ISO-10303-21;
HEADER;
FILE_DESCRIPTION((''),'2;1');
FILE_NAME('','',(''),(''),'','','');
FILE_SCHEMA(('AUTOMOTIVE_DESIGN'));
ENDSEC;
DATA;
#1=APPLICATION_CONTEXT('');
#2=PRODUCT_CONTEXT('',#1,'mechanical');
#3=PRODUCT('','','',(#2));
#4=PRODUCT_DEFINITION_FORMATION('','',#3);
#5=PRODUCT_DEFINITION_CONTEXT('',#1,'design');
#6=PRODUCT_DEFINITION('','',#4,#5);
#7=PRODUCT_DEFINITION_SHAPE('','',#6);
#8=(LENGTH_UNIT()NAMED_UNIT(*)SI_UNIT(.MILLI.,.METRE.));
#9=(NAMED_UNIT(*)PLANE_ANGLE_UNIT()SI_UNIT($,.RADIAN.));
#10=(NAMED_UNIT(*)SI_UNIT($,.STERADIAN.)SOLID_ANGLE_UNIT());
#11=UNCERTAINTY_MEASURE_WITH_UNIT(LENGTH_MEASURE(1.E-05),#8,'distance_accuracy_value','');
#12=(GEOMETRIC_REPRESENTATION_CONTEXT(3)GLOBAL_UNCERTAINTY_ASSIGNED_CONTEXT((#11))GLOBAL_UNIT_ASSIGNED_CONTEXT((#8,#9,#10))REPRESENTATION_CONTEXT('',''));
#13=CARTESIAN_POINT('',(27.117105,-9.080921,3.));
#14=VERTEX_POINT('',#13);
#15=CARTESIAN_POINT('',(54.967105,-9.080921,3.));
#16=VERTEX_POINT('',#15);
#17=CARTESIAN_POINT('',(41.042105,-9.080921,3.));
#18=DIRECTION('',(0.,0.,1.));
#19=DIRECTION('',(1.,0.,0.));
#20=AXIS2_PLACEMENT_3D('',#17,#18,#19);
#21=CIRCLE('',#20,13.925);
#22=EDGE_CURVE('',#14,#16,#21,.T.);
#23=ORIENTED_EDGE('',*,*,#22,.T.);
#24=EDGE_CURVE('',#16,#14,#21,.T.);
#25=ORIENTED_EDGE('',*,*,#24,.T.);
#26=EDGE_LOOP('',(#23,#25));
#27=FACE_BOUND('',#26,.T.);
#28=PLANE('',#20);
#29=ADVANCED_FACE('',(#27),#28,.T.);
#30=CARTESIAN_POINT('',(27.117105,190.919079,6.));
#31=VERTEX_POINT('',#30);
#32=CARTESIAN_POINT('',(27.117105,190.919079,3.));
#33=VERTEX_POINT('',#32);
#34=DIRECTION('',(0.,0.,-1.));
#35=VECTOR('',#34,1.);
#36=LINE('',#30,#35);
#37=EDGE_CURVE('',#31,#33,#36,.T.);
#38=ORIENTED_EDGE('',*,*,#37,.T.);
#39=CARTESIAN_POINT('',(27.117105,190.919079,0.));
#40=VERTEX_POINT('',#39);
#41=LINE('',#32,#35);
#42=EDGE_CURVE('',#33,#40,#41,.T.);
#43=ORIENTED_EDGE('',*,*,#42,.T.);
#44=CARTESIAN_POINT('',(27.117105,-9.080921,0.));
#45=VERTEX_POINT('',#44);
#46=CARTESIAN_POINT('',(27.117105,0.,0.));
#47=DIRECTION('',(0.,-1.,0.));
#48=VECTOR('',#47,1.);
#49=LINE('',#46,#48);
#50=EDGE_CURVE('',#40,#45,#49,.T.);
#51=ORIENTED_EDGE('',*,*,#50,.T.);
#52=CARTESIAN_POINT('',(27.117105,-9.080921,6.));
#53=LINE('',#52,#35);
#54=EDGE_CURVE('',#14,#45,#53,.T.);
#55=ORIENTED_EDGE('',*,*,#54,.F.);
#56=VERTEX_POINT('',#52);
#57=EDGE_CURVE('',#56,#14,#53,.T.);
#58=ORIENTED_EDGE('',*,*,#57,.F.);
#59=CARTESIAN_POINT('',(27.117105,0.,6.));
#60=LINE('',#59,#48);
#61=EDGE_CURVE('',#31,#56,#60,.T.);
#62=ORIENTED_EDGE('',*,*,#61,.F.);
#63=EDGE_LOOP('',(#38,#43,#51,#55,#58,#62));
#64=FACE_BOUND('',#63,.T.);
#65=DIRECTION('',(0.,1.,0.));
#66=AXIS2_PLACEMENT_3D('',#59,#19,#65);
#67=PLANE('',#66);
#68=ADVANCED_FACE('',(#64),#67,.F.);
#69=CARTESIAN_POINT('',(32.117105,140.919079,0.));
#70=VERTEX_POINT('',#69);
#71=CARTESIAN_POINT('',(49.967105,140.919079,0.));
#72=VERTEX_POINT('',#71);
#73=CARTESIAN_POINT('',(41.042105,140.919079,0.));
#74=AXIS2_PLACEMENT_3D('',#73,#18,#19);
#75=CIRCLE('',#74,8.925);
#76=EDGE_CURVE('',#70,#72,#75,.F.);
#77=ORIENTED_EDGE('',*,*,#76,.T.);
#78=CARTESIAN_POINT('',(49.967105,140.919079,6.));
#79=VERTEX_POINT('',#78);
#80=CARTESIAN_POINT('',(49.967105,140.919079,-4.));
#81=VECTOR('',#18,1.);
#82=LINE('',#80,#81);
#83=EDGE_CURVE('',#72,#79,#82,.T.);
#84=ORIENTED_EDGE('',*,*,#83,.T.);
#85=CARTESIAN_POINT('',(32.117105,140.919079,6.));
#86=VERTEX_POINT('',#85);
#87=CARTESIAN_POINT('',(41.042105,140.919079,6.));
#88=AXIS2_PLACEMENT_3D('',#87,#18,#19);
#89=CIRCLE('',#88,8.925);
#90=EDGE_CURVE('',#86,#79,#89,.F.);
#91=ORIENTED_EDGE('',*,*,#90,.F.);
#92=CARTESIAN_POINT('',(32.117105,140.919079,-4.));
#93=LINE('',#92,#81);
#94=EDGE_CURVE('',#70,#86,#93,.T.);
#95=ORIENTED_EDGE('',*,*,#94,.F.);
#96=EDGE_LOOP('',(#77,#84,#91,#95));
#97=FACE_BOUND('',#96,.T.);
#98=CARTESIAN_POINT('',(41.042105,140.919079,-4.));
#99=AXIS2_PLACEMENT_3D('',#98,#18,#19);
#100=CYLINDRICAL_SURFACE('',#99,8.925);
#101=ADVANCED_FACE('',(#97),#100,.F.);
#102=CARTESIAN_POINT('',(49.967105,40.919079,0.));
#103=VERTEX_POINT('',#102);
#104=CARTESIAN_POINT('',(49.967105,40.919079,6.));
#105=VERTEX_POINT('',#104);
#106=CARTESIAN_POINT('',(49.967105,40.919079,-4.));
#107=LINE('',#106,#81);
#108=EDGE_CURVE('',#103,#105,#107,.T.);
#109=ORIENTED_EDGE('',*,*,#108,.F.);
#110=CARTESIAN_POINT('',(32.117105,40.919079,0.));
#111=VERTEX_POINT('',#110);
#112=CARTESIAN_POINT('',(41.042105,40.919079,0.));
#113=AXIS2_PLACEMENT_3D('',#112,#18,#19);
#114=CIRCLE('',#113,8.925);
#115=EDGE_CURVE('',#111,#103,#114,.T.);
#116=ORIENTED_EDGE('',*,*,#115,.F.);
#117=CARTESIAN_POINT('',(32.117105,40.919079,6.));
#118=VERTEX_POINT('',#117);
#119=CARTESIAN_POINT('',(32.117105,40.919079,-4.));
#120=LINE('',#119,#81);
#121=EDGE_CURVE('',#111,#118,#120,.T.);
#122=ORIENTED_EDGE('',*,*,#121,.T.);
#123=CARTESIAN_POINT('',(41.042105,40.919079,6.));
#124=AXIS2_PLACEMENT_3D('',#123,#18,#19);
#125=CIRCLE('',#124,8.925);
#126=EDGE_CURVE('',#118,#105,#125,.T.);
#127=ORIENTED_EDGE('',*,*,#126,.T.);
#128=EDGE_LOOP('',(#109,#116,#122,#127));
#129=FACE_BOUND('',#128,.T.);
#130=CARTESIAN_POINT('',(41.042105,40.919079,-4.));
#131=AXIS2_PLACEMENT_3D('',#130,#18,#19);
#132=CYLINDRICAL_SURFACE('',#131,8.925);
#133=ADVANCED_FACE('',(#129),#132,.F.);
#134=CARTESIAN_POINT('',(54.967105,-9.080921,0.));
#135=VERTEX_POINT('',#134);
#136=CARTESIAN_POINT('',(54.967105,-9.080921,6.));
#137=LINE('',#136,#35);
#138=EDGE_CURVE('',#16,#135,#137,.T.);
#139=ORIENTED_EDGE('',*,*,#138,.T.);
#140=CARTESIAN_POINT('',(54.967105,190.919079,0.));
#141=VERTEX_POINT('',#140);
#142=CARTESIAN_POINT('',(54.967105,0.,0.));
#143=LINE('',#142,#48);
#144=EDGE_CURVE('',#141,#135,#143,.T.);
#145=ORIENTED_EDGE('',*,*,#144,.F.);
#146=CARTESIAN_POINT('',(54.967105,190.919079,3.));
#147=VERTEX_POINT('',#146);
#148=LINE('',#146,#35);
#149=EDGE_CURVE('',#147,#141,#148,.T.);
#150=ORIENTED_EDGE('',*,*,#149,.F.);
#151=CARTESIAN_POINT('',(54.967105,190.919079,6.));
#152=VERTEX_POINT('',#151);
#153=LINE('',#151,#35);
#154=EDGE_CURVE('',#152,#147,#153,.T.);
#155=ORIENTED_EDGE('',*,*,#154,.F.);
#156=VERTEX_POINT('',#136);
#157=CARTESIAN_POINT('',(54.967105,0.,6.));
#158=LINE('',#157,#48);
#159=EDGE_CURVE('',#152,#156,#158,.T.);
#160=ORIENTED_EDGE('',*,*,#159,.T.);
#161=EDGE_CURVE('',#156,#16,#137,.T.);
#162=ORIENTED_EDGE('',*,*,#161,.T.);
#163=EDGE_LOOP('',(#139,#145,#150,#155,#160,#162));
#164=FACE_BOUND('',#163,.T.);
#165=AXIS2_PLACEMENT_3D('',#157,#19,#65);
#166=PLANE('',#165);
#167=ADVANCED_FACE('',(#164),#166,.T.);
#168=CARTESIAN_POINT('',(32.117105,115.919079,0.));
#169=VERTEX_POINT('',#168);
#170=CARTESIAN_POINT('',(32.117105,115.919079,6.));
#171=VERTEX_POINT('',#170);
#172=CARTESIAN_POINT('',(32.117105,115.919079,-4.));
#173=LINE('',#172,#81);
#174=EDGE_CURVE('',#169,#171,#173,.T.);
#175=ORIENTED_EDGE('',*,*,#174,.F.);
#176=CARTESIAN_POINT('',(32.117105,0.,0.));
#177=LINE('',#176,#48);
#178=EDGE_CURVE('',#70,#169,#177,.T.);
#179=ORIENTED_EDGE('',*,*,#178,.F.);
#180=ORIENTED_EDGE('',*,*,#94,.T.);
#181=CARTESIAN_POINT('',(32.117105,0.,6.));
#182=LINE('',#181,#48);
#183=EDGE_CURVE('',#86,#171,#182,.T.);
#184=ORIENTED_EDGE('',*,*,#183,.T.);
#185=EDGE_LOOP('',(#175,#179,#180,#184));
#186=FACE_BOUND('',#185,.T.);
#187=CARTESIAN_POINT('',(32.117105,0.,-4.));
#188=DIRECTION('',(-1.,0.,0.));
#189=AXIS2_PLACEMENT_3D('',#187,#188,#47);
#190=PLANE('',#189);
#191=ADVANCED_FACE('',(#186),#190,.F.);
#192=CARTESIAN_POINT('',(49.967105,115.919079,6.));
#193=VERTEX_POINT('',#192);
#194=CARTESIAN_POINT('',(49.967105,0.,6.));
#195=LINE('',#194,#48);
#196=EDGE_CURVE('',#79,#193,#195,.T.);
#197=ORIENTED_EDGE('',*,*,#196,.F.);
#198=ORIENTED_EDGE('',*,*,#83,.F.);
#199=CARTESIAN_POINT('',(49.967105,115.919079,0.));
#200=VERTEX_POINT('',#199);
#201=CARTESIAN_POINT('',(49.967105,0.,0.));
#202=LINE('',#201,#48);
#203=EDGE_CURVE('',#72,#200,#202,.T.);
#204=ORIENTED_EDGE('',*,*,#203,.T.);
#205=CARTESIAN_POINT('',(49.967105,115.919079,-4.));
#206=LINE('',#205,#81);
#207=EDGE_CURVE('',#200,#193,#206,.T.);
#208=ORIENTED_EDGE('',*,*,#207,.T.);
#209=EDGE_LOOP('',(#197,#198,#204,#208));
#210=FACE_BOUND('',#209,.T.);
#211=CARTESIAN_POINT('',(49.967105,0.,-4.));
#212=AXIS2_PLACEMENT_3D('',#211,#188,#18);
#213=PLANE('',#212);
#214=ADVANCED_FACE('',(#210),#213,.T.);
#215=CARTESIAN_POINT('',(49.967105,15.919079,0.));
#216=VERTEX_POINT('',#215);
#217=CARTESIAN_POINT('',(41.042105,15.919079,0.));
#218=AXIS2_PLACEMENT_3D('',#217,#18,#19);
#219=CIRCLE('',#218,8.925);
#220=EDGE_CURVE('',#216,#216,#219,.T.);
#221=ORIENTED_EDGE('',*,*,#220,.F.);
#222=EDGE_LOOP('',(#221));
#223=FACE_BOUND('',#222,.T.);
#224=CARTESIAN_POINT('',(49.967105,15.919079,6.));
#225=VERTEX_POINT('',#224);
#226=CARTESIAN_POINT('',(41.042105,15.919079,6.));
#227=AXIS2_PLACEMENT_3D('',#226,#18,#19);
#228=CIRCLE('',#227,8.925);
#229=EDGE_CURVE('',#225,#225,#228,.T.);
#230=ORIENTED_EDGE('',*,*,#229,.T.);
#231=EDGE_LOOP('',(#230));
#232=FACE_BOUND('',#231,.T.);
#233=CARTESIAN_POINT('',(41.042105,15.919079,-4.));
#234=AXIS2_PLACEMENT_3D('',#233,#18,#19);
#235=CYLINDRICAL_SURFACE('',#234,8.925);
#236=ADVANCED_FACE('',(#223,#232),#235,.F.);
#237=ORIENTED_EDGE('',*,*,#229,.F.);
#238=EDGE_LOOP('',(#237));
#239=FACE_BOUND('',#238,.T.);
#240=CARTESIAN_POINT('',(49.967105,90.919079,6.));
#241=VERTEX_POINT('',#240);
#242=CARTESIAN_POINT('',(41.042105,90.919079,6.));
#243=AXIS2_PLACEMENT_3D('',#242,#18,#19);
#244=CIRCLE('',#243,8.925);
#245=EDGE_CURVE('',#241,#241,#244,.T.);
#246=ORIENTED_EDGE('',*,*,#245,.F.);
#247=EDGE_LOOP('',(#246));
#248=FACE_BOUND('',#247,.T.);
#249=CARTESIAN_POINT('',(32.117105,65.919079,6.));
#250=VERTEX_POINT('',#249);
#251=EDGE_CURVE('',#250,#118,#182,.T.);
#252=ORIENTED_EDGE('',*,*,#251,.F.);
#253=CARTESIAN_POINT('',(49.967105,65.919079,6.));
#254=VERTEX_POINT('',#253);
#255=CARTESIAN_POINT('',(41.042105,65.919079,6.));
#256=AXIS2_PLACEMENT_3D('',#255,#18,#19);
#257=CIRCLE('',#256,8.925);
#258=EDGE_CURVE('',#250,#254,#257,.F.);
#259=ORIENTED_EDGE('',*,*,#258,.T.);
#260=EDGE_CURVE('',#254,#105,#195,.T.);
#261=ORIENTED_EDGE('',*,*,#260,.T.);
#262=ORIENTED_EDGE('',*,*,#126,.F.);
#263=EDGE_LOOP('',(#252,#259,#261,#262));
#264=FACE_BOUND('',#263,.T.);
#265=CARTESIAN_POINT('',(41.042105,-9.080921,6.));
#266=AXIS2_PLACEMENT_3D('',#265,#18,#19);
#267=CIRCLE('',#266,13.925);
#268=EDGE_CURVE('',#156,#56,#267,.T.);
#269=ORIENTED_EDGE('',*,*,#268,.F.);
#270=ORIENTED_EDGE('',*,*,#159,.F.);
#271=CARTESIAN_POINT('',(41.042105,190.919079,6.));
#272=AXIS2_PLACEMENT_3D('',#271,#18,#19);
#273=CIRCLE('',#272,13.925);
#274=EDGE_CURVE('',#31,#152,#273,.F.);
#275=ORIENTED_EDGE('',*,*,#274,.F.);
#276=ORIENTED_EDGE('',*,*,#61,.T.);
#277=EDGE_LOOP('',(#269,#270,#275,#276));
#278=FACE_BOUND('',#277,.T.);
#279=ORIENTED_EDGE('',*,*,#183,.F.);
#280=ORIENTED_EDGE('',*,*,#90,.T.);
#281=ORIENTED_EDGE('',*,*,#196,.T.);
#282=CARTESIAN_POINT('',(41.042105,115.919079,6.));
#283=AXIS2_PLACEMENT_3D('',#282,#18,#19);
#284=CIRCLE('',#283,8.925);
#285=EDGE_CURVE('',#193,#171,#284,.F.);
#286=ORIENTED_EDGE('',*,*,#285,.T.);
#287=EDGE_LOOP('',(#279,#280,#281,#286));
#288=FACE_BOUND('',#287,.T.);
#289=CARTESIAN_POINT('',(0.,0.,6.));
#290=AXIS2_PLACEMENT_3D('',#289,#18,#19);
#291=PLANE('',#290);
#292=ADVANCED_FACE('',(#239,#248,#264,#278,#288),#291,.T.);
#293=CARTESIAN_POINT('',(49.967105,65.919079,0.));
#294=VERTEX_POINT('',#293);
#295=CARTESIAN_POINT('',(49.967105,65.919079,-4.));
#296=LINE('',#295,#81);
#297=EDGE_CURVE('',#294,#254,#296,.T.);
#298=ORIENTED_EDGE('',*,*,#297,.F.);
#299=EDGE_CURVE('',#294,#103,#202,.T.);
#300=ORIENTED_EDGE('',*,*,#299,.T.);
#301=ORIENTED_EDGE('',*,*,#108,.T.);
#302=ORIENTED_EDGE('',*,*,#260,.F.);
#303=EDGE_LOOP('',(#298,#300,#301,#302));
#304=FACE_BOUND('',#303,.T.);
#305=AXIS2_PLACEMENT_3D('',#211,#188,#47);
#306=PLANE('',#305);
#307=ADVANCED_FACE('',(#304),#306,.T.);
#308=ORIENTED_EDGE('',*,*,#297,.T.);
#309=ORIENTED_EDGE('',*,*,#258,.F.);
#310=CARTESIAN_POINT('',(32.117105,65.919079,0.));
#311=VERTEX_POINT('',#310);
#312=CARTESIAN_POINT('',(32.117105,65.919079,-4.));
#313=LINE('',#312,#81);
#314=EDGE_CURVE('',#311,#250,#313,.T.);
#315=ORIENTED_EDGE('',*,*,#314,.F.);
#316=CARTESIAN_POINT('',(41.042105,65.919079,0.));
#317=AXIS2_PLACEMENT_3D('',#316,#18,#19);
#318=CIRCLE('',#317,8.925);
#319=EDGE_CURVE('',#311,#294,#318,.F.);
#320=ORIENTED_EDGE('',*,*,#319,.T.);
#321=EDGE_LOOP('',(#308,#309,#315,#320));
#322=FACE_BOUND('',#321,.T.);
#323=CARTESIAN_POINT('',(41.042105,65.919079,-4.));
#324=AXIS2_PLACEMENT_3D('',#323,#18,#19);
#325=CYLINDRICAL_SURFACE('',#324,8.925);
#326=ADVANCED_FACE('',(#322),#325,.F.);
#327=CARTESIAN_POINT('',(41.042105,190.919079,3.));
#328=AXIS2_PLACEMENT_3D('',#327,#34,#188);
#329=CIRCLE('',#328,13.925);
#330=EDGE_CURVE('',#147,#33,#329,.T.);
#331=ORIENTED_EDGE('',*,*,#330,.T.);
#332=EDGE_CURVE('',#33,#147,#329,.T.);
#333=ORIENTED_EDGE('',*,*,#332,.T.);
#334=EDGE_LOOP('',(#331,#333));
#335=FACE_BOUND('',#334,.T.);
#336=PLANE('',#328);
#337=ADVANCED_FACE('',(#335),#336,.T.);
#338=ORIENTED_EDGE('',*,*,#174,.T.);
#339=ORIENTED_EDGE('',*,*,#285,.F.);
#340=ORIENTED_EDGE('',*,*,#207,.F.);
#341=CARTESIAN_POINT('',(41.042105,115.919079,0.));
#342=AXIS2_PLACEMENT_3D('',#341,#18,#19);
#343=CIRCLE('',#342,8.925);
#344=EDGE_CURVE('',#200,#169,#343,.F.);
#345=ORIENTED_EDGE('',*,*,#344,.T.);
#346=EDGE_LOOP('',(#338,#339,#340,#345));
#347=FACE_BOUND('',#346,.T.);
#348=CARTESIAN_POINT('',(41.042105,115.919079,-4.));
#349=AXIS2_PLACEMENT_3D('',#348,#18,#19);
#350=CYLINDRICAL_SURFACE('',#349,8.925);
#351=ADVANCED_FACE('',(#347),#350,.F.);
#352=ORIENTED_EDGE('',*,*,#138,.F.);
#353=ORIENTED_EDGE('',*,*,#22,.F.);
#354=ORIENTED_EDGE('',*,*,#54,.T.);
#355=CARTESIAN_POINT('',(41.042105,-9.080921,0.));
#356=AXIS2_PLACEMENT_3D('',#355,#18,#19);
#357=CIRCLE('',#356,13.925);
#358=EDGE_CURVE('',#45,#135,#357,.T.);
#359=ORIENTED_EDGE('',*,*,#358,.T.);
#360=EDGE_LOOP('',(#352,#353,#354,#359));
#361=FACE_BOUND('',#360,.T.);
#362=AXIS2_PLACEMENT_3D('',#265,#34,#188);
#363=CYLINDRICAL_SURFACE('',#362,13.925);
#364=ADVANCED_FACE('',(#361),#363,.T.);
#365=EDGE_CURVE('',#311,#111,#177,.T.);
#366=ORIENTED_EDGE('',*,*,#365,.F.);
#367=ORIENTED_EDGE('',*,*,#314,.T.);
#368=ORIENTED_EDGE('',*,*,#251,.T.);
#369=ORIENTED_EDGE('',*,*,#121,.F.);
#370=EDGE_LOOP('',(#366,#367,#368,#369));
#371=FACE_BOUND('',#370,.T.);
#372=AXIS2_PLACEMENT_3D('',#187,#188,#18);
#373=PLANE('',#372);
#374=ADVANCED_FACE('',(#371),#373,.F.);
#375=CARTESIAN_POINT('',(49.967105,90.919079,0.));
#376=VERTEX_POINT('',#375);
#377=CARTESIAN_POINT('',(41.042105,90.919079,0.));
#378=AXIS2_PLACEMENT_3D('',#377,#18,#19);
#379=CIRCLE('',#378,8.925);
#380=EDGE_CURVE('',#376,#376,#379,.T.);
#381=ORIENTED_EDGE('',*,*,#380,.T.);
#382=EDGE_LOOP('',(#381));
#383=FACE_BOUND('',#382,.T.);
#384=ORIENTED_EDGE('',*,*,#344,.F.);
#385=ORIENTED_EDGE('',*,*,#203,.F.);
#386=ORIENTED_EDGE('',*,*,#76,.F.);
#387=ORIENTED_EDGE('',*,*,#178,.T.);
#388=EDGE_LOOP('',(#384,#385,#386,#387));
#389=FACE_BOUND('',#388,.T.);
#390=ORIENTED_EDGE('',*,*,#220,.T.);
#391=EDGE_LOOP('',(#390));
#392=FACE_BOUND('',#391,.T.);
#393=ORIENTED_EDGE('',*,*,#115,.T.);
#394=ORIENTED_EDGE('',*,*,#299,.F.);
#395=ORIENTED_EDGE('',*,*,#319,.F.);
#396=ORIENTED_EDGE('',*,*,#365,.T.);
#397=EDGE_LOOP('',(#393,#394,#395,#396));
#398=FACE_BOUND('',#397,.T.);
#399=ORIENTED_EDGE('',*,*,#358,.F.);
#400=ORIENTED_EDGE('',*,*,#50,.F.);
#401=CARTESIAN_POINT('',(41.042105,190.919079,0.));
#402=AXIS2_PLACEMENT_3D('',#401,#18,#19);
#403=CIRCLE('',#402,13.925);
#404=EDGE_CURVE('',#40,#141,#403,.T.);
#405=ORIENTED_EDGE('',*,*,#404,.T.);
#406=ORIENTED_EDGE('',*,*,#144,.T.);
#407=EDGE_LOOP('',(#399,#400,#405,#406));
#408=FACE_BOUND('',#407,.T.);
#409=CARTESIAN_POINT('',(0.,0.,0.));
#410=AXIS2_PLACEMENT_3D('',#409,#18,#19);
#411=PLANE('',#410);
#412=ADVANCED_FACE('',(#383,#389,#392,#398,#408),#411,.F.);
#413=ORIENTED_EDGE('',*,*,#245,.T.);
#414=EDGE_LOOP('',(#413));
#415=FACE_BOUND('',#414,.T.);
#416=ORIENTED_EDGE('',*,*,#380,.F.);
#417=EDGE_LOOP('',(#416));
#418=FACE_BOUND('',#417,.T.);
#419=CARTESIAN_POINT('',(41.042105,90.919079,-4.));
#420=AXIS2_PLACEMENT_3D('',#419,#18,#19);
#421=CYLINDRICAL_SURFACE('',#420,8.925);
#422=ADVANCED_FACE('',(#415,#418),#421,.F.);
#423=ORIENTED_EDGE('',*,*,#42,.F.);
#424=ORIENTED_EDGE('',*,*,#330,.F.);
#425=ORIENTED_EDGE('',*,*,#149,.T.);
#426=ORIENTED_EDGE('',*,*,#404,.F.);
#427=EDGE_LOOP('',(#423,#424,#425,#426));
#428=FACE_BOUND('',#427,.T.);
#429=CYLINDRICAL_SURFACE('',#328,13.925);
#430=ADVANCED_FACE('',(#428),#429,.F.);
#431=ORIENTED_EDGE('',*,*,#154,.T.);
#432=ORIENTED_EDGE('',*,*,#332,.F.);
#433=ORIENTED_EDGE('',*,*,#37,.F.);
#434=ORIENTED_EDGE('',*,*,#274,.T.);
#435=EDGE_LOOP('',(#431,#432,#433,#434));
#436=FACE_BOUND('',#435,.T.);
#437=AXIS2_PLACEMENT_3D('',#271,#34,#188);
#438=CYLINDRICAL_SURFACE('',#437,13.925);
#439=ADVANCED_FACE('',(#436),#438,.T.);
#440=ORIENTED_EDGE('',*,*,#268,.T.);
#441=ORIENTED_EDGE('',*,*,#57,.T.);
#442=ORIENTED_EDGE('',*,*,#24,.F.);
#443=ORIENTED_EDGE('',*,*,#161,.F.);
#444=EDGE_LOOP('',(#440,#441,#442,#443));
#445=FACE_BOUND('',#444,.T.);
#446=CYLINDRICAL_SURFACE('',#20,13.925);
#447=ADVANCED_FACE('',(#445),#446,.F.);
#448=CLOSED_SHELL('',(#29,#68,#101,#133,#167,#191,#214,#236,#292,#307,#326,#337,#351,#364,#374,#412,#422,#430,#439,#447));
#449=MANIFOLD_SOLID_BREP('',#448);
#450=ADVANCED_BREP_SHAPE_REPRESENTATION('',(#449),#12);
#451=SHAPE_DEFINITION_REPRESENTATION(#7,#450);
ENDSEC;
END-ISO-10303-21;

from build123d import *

# Parameters (mm, degrees)
ESQUISSE1_W             = 27.85
ESQUISSE1_H             = 200
BOSS_EXTRU_1_DEPTH      = 6
ESQUISSE2_R             = 13.925
ENL_V_MAT_EXTRU_1_DEPTH = 3
ESQUISSE3_R             = 13.925
ENL_V_MAT_EXTRU_2_DEPTH = 3
ESQUISSE5_W             = 17.85
ESQUISSE5_H             = 25
ESQUISSE5_R             = 8.925
ENL_V_MAT_EXTRU_3_DEPTH = 10


with BuildPart() as part:
    # Esquisse1 → Boss.-Extru.1 (new body)
    with BuildSketch(Plane.XY):
        with Locations((41.042105263, 90.919078947)):
            Rectangle(ESQUISSE1_W, ESQUISSE1_H)
        with BuildLine():
            Line((27.117105263, -9.080921053), (54.967105263, -9.080921053))
            ThreePointArc((54.967105263, -9.080921053), (41.042105263, -23.005921053), (27.117105263, -9.080921053))
        make_face()
        with BuildLine():
            ThreePointArc((27.117105263, 190.919078947), (41.042105263, 204.844078947), (54.967105263, 190.919078947))
            Line((54.967105263, 190.919078947), (27.117105263, 190.919078947))
        make_face()
    extrude(amount=BOSS_EXTRU_1_DEPTH)

    # Esquisse2 → Enlèv. mat.-Extru.1 (cut)
    with BuildSketch(Plane.XY.offset(6)):
        with Locations((41.042105263, -9.080921053)):
            Circle(ESQUISSE2_R)
    extrude(amount=-ENL_V_MAT_EXTRU_1_DEPTH, mode=Mode.SUBTRACT)

    # Esquisse3 → Enlèv. mat.-Extru.2 (cut)
    with BuildSketch(Plane(origin=(0, 0, 0), x_dir=(-1, 0, 0), z_dir=(0, 0, -1))):
        with Locations((-41.042105263, 190.919078947)):
            Circle(ESQUISSE3_R)
    extrude(amount=-ENL_V_MAT_EXTRU_2_DEPTH, mode=Mode.SUBTRACT)

    # Esquisse5 → Enlèv. mat.-Extru.3 (cut)
    with BuildSketch(Plane.XY.offset(6)):
        with BuildLine():
            ThreePointArc((32.117105263, 140.919078947), (41.042105263, 149.844078947), (49.967105263, 140.919078947))
            Line((49.967105263, 140.919078947), (32.117105263, 140.919078947))
        make_face()
        with Locations((41.042105263, 128.419078947)):
            Rectangle(ESQUISSE5_W, ESQUISSE5_H)
        with BuildLine():
            ThreePointArc((49.967105263, 115.919078947), (41.042105263, 106.994078947), (32.117105263, 115.919078947))
            Line((32.117105263, 115.919078947), (49.967105263, 115.919078947))
        make_face()
        with Locations((41.042105263, 90.919078947)):
            Circle(ESQUISSE5_R)
        with BuildLine():
            ThreePointArc((32.117105263, 65.919078947), (41.042105263, 74.844078947), (49.967105263, 65.919078947))
            Line((49.967105263, 65.919078947), (32.117105263, 65.919078947))
        make_face()
        with Locations((41.042105263, 53.419078947)):
            Rectangle(ESQUISSE5_W, ESQUISSE5_H)
        with BuildLine():
            Line((32.117105263, 40.919078947), (49.967105263, 40.919078947))
            ThreePointArc((49.967105263, 40.919078947), (41.042105263, 31.994078947), (32.117105263, 40.919078947))
        make_face()
        with Locations((41.042105263, 15.919078947)):
            Circle(ESQUISSE5_R)
    extrude(amount=-ENL_V_MAT_EXTRU_3_DEPTH, mode=Mode.SUBTRACT)


solid = part.part
